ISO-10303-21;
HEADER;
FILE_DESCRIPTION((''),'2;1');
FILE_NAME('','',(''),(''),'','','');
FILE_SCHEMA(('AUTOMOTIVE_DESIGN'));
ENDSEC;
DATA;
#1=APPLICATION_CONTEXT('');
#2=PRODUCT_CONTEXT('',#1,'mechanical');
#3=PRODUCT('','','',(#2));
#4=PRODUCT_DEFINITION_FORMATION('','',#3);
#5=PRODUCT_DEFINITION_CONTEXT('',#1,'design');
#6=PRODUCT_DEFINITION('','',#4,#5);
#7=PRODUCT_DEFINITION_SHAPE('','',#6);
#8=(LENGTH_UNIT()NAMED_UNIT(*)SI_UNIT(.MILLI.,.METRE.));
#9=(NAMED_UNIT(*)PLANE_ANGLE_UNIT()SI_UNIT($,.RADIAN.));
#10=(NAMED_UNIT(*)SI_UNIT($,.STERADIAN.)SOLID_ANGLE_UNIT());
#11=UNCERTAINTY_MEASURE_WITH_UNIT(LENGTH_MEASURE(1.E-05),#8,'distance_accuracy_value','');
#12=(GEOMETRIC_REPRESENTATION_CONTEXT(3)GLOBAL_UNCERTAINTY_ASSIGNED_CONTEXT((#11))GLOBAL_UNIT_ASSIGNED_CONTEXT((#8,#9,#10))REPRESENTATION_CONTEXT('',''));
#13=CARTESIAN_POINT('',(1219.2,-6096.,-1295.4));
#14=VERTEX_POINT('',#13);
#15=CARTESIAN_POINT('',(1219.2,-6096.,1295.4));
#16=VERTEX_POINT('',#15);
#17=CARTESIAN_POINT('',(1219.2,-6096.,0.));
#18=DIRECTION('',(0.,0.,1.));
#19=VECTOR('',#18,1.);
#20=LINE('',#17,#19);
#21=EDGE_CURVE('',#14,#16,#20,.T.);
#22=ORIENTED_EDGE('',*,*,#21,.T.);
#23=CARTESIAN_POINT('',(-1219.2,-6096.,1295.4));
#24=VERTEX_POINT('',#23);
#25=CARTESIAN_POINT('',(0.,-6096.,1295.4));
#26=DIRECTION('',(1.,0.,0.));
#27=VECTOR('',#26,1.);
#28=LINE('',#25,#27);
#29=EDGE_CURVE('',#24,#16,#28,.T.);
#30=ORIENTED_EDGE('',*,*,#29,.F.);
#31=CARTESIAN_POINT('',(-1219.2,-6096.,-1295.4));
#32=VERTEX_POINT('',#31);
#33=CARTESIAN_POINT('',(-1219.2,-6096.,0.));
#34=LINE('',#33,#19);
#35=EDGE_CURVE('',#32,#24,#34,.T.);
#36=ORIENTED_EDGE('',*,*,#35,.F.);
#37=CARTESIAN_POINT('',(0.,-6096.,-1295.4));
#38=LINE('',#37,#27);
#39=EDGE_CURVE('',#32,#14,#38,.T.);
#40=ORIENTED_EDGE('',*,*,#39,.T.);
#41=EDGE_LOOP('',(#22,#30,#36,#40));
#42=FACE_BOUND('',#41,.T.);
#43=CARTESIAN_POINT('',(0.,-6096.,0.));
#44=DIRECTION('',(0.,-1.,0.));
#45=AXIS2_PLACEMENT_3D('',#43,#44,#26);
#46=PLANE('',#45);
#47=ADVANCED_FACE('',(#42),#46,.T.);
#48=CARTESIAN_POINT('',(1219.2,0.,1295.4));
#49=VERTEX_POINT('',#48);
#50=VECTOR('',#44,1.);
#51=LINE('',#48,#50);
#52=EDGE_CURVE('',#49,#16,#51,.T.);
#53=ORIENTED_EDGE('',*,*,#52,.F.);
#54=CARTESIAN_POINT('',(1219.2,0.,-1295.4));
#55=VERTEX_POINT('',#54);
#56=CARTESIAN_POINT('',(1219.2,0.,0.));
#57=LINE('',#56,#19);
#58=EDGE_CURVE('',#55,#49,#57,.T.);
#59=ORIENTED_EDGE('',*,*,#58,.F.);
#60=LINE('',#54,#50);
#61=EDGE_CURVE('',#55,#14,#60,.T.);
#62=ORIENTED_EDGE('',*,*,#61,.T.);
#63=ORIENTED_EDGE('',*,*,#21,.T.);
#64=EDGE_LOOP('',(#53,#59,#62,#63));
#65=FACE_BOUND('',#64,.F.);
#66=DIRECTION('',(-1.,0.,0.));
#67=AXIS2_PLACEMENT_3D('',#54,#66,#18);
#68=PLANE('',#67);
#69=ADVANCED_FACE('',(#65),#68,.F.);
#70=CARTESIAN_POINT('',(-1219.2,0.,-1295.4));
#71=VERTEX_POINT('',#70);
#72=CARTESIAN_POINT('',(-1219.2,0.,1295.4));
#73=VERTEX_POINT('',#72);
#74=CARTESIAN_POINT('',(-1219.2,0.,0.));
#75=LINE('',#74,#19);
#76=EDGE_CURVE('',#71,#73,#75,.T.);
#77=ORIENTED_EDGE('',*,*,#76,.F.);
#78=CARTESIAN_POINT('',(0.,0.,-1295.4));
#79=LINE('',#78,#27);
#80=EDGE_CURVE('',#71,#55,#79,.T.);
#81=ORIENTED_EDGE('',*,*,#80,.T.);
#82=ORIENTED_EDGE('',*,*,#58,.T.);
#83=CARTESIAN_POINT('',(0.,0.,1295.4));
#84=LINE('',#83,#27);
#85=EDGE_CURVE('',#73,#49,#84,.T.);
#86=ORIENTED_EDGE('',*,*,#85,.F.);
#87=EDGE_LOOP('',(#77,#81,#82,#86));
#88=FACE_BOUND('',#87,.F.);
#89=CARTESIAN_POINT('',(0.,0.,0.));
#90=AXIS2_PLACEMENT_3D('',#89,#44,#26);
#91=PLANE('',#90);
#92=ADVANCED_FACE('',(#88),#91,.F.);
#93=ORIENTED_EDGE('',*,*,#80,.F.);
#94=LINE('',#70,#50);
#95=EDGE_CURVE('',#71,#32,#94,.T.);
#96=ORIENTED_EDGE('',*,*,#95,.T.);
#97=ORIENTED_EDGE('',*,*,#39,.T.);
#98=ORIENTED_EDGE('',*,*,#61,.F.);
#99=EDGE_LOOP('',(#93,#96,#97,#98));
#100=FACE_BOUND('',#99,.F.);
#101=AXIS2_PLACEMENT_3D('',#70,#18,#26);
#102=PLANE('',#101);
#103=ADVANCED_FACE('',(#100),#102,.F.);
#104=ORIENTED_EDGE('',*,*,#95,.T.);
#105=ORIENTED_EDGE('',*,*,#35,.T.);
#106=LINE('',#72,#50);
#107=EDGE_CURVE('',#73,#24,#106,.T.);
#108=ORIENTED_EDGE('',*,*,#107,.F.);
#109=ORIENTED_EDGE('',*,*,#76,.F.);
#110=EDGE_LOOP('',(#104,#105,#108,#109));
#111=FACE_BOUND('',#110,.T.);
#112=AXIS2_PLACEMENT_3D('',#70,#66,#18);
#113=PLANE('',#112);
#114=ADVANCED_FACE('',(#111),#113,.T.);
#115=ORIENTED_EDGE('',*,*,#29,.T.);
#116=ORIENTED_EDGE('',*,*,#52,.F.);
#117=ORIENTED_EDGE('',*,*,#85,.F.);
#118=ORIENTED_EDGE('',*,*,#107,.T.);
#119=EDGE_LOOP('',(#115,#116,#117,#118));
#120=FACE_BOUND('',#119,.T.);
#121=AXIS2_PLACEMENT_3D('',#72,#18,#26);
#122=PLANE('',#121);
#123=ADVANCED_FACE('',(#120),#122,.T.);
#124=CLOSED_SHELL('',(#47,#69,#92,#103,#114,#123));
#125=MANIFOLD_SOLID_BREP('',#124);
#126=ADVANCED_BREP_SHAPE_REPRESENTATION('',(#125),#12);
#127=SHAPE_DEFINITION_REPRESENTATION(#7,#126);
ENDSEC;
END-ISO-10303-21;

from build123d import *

# Parameters (mm, degrees)
F0_W     = 2438.4
F0_H     = 2590.8
F1_DEPTH = 6096


with BuildPart() as f1:
    # F0 (on Front) → F1 (new body)
    with BuildSketch(Plane.XZ):
        Rectangle(F0_W, F0_H)
        Polygon((-562.563002, -1193.341292), (-562.563002, 635.458708), (0, 635.458708), (562.563002, 635.458708), (562.563002, -1193.341292), (0, -1193.341292), align=None, mode=Mode.SUBTRACT)
        Polygon((0, 635.458708), (-562.563002, 635.458708), (-562.563002, -1193.341292), (0, -1193.341292), (562.563002, -1193.341292), (562.563002, 635.458708), align=None)
    extrude(amount=F1_DEPTH)


solid = f1.part
